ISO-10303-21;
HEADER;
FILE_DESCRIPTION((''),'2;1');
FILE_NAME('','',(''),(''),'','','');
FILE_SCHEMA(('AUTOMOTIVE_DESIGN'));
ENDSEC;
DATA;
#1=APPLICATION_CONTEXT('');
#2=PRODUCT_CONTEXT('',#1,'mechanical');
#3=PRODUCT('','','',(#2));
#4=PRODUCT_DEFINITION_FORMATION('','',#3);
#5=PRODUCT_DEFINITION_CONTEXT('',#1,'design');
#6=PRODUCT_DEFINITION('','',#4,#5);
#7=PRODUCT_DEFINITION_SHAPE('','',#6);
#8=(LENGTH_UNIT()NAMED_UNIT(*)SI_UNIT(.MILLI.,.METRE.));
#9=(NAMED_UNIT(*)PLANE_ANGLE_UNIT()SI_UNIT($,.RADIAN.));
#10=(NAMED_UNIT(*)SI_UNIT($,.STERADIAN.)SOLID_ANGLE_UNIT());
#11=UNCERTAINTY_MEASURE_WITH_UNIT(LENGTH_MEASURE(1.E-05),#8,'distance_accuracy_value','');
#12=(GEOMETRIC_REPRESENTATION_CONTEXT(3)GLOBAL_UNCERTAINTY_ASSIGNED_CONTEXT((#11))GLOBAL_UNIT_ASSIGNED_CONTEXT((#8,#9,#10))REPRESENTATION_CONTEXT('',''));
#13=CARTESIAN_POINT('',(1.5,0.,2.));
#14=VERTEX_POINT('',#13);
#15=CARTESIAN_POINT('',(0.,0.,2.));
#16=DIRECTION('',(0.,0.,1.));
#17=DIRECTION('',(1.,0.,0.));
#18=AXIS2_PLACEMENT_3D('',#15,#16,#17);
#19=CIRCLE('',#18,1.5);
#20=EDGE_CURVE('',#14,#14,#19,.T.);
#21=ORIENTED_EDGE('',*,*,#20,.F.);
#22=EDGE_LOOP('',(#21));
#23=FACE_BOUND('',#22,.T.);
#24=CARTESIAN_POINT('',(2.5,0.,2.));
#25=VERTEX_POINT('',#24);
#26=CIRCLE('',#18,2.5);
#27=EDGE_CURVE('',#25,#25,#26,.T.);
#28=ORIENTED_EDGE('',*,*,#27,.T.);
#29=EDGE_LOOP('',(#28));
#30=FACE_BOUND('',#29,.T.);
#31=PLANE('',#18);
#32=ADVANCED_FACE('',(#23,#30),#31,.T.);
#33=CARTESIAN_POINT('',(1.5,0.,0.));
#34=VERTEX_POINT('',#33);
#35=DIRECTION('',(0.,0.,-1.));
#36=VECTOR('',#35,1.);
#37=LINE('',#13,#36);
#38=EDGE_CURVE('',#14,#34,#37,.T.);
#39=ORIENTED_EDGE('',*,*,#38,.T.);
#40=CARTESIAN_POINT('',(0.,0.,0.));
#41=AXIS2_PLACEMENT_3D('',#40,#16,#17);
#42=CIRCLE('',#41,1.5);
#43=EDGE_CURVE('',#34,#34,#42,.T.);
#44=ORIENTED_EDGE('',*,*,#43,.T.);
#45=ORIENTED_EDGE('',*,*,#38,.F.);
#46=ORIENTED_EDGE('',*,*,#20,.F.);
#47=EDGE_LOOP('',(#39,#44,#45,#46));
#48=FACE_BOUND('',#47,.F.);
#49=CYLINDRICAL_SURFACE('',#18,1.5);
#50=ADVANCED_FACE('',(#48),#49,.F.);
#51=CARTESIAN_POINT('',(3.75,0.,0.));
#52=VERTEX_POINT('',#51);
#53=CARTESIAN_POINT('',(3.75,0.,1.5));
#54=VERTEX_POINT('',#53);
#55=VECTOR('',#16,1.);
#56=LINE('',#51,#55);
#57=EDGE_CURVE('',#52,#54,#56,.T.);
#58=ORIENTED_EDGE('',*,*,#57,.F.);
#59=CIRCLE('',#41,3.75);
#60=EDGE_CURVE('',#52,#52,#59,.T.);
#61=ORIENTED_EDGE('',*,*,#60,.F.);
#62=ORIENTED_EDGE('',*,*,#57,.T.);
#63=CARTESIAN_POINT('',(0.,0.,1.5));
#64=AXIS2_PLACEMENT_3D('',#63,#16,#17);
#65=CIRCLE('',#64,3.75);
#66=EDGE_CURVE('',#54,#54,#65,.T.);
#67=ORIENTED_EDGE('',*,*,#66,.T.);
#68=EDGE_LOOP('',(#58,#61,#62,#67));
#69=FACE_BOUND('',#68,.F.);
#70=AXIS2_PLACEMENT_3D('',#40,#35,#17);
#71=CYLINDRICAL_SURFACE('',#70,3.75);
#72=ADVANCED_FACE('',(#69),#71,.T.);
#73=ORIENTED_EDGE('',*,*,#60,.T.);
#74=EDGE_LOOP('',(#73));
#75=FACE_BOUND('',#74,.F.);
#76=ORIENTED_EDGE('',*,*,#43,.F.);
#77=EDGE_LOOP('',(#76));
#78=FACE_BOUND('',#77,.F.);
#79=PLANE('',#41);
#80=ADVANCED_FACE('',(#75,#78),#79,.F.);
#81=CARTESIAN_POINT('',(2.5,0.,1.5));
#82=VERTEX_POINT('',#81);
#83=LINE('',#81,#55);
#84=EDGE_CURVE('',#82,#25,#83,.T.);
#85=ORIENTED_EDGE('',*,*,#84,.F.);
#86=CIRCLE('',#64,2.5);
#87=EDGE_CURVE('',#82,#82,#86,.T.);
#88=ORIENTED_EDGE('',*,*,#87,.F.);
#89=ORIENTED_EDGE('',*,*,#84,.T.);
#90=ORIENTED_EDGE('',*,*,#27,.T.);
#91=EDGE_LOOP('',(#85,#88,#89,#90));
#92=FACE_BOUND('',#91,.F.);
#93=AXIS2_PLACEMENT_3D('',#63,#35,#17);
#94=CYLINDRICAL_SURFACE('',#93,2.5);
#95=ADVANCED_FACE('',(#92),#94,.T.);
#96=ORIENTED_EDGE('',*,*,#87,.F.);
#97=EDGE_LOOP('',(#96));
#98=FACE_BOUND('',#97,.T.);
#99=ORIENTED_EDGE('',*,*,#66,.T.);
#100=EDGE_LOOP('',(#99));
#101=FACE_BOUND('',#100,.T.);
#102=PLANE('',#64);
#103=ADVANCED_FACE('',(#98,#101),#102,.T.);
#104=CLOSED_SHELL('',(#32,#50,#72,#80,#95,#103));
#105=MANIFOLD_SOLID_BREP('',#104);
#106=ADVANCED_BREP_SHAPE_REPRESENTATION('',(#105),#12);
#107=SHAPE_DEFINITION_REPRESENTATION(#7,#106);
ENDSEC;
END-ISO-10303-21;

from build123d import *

# Parameters (mm, degrees)
SKETCH1_R               = 3.75
BOSS_EXTRUDE2_DEPTH     = 1.5
SKETCH2_R               = 2.5
BOSS_EXTRUDE3_DEPTH     = 0.5
SKETCH3_R               = 1.5
CUT_EXTRUDE2_DEPTH      = 1
CUT_EXTRUDE2_DEPTH_BACK = 3


with BuildPart() as part:
    # Sketch1 → Boss-Extrude2 (new body)
    with BuildSketch(Plane.XY):
        Circle(SKETCH1_R)
    extrude(amount=BOSS_EXTRUDE2_DEPTH)

    # Sketch2 → Boss-Extrude3 (add)
    with BuildSketch(Plane.XY.offset(1.5)):
        Circle(SKETCH2_R)
    extrude(amount=BOSS_EXTRUDE3_DEPTH)

    # Sketch3 → Cut-Extrude2 (cut, two sides)
    with BuildSketch(Plane.XY.offset(2)) as cut_extrude2_sk:
        Circle(SKETCH3_R)
    extrude(amount=CUT_EXTRUDE2_DEPTH, mode=Mode.SUBTRACT)
    extrude(cut_extrude2_sk.sketch, amount=-CUT_EXTRUDE2_DEPTH_BACK, mode=Mode.SUBTRACT)


solid = part.part
